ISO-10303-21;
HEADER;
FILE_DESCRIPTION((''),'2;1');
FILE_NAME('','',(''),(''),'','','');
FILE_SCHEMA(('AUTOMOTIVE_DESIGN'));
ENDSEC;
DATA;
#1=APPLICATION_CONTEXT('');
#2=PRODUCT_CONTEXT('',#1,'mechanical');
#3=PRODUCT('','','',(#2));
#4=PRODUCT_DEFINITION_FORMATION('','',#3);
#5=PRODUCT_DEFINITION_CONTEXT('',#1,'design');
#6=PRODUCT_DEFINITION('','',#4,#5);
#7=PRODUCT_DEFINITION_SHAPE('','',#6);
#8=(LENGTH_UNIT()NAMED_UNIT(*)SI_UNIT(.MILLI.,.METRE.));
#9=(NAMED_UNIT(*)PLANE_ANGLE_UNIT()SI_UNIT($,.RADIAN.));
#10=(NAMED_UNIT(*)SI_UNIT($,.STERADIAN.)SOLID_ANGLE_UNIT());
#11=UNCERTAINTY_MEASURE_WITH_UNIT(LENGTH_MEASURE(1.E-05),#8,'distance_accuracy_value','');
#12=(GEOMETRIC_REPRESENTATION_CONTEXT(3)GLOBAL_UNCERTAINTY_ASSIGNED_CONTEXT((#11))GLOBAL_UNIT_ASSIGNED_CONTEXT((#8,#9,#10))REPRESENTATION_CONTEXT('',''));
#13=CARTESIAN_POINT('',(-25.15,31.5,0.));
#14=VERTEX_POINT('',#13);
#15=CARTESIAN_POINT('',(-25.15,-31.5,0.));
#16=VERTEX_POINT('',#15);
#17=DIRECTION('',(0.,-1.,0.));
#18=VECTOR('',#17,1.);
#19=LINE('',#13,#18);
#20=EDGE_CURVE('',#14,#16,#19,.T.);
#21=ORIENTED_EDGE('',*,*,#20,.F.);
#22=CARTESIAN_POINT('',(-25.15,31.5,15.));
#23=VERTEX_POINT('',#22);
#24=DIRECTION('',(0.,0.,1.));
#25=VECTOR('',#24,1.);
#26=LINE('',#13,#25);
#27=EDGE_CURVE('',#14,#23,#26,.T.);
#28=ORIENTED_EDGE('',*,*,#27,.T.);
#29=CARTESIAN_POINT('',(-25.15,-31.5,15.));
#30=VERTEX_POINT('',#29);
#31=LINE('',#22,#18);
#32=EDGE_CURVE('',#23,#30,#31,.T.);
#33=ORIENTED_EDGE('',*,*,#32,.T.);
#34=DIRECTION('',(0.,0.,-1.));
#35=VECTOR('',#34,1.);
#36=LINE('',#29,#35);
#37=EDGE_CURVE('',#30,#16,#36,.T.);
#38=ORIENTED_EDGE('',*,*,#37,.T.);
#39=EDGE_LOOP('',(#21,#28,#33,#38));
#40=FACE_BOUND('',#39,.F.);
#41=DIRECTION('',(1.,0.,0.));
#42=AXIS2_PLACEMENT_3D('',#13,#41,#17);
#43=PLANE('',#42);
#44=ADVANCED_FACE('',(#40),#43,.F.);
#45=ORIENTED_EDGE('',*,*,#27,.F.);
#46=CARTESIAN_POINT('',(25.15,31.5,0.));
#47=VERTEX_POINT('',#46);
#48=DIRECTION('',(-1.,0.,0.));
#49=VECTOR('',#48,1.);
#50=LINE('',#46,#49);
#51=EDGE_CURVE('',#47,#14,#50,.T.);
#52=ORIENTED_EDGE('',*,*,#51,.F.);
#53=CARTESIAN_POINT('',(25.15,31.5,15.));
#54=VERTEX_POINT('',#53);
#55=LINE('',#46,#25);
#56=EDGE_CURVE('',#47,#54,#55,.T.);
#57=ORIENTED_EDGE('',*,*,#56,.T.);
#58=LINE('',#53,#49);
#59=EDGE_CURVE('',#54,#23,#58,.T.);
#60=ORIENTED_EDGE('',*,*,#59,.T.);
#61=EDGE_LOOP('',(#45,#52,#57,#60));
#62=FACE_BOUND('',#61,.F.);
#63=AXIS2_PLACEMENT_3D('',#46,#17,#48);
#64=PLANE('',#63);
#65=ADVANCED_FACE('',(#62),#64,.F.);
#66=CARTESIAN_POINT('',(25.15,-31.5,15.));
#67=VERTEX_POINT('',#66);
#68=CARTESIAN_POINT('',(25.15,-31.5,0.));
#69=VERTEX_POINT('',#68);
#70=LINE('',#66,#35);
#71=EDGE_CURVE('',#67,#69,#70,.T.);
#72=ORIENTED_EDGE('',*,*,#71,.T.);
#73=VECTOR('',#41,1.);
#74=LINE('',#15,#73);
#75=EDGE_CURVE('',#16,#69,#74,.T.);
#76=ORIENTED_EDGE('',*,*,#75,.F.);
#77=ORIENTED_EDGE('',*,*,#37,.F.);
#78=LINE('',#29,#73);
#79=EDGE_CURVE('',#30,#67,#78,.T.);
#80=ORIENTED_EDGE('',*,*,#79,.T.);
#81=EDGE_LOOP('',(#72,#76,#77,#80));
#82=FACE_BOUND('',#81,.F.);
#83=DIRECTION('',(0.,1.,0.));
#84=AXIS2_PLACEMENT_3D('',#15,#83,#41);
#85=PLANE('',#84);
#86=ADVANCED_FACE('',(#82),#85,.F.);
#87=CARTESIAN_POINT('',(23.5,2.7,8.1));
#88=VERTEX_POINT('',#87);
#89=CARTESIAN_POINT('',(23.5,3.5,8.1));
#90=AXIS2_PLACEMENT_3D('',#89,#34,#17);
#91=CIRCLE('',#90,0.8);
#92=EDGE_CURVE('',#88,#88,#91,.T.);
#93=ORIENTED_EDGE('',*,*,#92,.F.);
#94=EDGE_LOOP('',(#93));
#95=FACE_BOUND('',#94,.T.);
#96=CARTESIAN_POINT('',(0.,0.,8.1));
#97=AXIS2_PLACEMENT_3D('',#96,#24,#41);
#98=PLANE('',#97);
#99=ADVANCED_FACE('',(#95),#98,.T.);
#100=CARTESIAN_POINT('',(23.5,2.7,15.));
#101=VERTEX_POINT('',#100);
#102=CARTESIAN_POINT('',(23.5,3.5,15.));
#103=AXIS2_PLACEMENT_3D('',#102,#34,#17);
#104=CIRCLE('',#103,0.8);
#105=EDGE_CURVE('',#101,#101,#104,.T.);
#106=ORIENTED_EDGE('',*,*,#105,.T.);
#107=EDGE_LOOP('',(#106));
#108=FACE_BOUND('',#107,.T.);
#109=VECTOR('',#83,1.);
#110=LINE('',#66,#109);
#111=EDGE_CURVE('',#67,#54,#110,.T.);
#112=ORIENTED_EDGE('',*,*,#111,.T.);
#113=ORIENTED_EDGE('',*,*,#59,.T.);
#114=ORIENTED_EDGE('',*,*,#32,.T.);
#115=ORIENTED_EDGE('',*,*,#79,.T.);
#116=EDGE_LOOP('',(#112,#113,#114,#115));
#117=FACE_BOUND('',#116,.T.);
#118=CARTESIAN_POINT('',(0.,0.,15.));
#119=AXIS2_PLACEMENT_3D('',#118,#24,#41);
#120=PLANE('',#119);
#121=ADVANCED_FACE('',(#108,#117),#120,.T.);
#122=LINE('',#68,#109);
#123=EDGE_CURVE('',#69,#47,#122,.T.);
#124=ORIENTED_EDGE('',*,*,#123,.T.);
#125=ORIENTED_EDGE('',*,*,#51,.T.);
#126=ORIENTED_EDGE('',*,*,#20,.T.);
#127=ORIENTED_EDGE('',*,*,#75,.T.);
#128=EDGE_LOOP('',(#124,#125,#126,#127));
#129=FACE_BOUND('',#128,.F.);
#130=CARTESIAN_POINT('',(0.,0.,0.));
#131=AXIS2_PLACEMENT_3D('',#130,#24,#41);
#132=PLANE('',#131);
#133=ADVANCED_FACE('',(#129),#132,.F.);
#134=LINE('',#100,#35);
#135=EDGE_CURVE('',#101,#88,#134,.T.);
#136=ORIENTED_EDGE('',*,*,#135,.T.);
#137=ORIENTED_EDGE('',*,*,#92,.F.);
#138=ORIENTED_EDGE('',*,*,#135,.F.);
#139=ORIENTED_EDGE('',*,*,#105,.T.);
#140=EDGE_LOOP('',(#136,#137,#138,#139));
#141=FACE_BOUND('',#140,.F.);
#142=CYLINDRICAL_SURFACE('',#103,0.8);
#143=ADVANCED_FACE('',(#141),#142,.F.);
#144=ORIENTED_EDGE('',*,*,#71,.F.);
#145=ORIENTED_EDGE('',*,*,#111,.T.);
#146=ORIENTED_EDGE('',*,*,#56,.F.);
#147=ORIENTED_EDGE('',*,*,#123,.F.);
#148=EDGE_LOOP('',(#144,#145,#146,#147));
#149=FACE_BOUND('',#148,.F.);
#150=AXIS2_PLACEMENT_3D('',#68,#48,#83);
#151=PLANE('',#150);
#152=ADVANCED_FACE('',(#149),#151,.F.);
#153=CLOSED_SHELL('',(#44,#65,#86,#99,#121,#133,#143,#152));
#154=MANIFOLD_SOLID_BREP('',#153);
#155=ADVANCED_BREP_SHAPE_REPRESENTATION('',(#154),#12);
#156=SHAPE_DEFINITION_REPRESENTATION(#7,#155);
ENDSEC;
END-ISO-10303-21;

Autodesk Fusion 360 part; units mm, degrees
sketch "Skizze1" plane through (0, 0, 0) normal (0, 0, 1) x (1, 0, 0)
  line L0 (0, 0) -> (85, 0)
  line L1 (85, 0) -> (85, 56)
  line L2 (85, 56) -> (0, 56)
  line L3 (0, 56) -> (0, 0)
  dimension "d1" = 85
  dimension "d2" = 56
extrude "Extrusion1" add sketch "Skizze1" along normal blind 15
sketch "Skizze2" plane through (0, 0, 15) normal (0, 0, 1) x (-1, 0, 0)
  line L0 (0, -56) -> (0, 0)
  line L1 (0, 0) -> (-85, 0)
  line L2 (-85, 0) -> (-85, -56)
  line L3 (-85, -56) -> (0, -56)
  point P0 (-23.5, -52.5)
  point P1 (-81.5, -52.5)
  point P2 (-81.5, -3.5)
  point P3 (-23.5, -3.5)
  dimension "d5" = 3.5
  dimension "d6" = 3.5
  dimension "d7" = 3.5
  dimension "d8" = 3.5
  dimension "d9" = 3.5
  dimension "d10" = 3.5
  dimension "d11" = 58
  dimension "d12" = 58
hole "Bohrung1" at (23.5, 52.5, 15) at (81.5, 52.5, 15) at (81.5, 3.5, 15) at (23.5, 3.5, 15) direction (0, 0, -1) diameter 1.6 end through all

Autodesk Fusion 360 part; units mm, degrees
sketch "Skizze1" plane through (0, 0, 0) normal (0, 0, 1) x (1, 0, 0)
  line L0 (0, 0) -> (50, 0)
  line L1 (50, 0) -> (50, 19)
  line L2 (50, 19) -> (0, 19)
  line L3 (0, 19) -> (0, 0)
  dimension "d1" = 50
  dimension "d2" = 19
extrude "Extrusion1" add sketch "Skizze1" along normal blind 1
sketch "Skizze2" plane through (0, 0, 1) normal (0, 0, 1) x (-1, 0, 0)
  line L0 (0, -19) -> (0, 0)
  line L1 (0, 0) -> (-50, 0)
  line L2 (-50, 0) -> (-50, -19)
  line L3 (-50, -19) -> (0, -19)
  point P0 (-2.7, -16.3)
  point P1 (-2.7, -2.7)
  dimension "d5" = 2.7
  dimension "d6" = 2.7
  dimension "d7" = 2.7
  dimension "d8" = 2.7
hole "Bohrung1" at (2.7, 2.7, 1) direction (0, 0, -1) diameter 1.6 depth 3 tip angle 180
hole "Bohrung2" at (2.7, 16.3, 1) direction (0, 0, -1) diameter 1.6 depth 3 tip angle 180

Autodesk Fusion 360 part; units mm, degrees
sketch "Skizze1" plane through (0, 0, 0) normal (0, 0, 1) x (1, 0, 0)
  line L0 (25.15, 31.5) -> (-25.15, 31.5)
  line L1 (-25.15, 31.5) -> (-25.15, -31.5)
  line L2 (-25.15, -31.5) -> (25.15, -31.5)
  line L3 (25.15, -31.5) -> (25.15, 31.5)
  line L4 (25.15, 31.5) -> (-25.15, -31.5) construction
  line L5 (-25.15, 31.5) -> (25.15, -31.5) construction
  dimension "d1" = 63
  dimension "d2" = 50.3
extrude "Extrusion1" add sketch "Skizze1" along normal blind 8.1
